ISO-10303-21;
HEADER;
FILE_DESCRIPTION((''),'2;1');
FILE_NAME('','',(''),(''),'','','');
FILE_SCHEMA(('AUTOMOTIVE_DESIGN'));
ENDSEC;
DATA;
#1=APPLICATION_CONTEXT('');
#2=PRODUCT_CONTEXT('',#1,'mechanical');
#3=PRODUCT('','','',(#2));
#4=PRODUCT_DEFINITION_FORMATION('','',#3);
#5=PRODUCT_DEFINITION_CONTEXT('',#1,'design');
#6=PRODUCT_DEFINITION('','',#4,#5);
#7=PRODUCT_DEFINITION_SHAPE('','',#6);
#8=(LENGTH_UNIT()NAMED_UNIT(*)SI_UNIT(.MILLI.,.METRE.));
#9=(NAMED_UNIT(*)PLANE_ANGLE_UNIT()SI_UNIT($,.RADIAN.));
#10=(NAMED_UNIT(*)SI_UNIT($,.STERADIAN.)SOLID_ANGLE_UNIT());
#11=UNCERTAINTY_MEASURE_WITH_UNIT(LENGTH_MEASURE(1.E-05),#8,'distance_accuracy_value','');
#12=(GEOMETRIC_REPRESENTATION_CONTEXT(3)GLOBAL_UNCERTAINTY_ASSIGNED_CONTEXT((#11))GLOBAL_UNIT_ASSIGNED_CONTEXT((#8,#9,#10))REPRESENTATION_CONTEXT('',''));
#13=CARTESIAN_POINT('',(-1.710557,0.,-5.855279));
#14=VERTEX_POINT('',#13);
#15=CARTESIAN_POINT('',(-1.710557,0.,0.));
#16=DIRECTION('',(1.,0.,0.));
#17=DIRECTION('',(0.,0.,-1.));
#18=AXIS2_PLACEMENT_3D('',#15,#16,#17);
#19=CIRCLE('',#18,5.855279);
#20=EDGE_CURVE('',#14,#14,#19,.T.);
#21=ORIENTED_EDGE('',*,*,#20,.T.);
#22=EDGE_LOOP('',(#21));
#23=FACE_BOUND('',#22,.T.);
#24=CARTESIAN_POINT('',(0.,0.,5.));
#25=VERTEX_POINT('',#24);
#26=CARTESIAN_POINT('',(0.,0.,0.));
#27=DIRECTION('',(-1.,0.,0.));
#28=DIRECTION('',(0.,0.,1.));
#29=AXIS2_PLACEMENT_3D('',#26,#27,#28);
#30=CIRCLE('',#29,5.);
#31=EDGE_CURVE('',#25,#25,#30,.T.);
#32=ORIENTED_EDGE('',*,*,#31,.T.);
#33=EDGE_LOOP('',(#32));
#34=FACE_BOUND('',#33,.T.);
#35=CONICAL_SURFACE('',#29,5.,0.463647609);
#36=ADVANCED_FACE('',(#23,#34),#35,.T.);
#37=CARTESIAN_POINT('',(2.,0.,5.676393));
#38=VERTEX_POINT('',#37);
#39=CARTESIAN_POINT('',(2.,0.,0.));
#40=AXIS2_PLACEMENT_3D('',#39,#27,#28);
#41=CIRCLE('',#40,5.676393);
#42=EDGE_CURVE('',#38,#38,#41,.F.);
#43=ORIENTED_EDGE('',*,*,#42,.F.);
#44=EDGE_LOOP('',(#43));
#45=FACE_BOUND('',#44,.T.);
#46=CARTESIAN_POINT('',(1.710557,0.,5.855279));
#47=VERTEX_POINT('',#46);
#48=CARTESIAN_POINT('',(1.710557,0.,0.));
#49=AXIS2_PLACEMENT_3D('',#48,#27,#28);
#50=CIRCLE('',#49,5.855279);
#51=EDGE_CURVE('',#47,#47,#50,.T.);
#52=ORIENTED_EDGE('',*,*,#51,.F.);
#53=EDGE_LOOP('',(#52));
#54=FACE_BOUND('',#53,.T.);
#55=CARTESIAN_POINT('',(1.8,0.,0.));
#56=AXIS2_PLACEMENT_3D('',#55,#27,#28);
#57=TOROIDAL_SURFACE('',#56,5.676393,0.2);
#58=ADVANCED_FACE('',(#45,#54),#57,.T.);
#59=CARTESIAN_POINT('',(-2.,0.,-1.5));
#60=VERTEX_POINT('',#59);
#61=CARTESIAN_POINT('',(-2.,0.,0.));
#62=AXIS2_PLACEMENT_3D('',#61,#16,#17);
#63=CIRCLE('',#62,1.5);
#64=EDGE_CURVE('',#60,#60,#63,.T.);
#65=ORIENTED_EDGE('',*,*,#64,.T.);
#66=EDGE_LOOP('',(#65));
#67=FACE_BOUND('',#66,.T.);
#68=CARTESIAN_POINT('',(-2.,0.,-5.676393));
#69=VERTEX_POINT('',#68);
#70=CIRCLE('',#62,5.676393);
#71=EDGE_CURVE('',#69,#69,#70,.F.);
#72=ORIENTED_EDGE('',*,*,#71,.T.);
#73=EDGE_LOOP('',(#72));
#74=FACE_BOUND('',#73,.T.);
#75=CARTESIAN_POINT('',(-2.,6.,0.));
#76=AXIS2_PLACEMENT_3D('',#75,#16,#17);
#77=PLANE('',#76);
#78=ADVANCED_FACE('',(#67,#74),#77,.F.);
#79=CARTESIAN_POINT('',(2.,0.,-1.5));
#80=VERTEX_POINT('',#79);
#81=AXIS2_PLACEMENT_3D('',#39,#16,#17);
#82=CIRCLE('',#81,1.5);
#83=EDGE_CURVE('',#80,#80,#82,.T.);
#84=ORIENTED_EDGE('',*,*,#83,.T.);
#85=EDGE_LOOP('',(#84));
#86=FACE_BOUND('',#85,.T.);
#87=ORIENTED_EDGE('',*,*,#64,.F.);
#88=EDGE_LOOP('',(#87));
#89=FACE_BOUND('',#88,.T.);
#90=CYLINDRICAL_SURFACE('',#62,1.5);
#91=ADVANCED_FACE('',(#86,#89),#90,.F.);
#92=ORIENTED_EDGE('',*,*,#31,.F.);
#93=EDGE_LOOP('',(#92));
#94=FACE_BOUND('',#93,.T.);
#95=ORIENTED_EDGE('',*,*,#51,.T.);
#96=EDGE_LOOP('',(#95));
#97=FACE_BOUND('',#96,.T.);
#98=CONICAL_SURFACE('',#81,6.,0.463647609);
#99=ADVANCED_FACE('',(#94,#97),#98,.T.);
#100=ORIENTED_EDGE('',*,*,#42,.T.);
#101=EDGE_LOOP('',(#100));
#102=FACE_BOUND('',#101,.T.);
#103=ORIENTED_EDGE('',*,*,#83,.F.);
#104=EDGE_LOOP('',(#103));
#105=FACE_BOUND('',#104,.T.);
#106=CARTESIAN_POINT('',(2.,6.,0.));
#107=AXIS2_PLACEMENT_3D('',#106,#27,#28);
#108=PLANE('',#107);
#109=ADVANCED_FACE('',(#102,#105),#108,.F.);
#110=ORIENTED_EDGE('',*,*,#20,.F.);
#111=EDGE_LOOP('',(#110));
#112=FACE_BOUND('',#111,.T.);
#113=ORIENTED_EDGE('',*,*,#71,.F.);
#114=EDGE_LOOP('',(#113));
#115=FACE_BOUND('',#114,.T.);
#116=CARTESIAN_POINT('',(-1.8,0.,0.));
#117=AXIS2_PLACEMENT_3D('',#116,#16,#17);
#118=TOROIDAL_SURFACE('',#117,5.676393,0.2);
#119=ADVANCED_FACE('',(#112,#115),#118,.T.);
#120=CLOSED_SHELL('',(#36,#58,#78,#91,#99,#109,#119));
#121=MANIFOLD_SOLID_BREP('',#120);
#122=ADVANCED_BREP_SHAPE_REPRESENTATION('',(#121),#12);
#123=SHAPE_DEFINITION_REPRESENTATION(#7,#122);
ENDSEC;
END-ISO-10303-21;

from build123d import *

# Parameters (mm, degrees)
CUT_EXTRUDE1_DEPTH      = 9.717797887
CUT_EXTRUDE1_DEPTH_BACK = 9.717797887
SKETCH2_R               = 1.5
FILLET2_R               = 0.2


with BuildPart() as part:
    # Sketch1 → Revolve1 (revolve)
    with BuildSketch(Plane.XY, mode=Mode.PRIVATE) as revolve1_sk:
        Polygon((0, 5), (-2, 6), (-2, 0), (2, 0), (2, 6), align=None)
    revolve(revolve1_sk.sketch.rotate(Axis((-9.793827425, 0, 0), (1, 0, 0)), 90), axis=Axis((-9.793827425, 0, 0), (1, 0, 0)))

    # Sketch2 → Cut-Extrude1 (cut, two sides: drawn at the far end of the back side and taken through both)
    with BuildSketch(Plane(origin=(0, 0, 0), x_dir=(0, 0, -1), z_dir=(1, 0, 0)).offset(-CUT_EXTRUDE1_DEPTH_BACK)):
        Circle(SKETCH2_R)
    extrude(amount=CUT_EXTRUDE1_DEPTH + CUT_EXTRUDE1_DEPTH_BACK, mode=Mode.SUBTRACT)

    # Fillet2
    fillet2_edges = [part.edges().sort_by_distance(p)[0] for p in [
        (-2, 0, -6),
        (2, 0, -6),
    ]]
    fillet(fillet2_edges, radius=FILLET2_R)


solid = part.part
